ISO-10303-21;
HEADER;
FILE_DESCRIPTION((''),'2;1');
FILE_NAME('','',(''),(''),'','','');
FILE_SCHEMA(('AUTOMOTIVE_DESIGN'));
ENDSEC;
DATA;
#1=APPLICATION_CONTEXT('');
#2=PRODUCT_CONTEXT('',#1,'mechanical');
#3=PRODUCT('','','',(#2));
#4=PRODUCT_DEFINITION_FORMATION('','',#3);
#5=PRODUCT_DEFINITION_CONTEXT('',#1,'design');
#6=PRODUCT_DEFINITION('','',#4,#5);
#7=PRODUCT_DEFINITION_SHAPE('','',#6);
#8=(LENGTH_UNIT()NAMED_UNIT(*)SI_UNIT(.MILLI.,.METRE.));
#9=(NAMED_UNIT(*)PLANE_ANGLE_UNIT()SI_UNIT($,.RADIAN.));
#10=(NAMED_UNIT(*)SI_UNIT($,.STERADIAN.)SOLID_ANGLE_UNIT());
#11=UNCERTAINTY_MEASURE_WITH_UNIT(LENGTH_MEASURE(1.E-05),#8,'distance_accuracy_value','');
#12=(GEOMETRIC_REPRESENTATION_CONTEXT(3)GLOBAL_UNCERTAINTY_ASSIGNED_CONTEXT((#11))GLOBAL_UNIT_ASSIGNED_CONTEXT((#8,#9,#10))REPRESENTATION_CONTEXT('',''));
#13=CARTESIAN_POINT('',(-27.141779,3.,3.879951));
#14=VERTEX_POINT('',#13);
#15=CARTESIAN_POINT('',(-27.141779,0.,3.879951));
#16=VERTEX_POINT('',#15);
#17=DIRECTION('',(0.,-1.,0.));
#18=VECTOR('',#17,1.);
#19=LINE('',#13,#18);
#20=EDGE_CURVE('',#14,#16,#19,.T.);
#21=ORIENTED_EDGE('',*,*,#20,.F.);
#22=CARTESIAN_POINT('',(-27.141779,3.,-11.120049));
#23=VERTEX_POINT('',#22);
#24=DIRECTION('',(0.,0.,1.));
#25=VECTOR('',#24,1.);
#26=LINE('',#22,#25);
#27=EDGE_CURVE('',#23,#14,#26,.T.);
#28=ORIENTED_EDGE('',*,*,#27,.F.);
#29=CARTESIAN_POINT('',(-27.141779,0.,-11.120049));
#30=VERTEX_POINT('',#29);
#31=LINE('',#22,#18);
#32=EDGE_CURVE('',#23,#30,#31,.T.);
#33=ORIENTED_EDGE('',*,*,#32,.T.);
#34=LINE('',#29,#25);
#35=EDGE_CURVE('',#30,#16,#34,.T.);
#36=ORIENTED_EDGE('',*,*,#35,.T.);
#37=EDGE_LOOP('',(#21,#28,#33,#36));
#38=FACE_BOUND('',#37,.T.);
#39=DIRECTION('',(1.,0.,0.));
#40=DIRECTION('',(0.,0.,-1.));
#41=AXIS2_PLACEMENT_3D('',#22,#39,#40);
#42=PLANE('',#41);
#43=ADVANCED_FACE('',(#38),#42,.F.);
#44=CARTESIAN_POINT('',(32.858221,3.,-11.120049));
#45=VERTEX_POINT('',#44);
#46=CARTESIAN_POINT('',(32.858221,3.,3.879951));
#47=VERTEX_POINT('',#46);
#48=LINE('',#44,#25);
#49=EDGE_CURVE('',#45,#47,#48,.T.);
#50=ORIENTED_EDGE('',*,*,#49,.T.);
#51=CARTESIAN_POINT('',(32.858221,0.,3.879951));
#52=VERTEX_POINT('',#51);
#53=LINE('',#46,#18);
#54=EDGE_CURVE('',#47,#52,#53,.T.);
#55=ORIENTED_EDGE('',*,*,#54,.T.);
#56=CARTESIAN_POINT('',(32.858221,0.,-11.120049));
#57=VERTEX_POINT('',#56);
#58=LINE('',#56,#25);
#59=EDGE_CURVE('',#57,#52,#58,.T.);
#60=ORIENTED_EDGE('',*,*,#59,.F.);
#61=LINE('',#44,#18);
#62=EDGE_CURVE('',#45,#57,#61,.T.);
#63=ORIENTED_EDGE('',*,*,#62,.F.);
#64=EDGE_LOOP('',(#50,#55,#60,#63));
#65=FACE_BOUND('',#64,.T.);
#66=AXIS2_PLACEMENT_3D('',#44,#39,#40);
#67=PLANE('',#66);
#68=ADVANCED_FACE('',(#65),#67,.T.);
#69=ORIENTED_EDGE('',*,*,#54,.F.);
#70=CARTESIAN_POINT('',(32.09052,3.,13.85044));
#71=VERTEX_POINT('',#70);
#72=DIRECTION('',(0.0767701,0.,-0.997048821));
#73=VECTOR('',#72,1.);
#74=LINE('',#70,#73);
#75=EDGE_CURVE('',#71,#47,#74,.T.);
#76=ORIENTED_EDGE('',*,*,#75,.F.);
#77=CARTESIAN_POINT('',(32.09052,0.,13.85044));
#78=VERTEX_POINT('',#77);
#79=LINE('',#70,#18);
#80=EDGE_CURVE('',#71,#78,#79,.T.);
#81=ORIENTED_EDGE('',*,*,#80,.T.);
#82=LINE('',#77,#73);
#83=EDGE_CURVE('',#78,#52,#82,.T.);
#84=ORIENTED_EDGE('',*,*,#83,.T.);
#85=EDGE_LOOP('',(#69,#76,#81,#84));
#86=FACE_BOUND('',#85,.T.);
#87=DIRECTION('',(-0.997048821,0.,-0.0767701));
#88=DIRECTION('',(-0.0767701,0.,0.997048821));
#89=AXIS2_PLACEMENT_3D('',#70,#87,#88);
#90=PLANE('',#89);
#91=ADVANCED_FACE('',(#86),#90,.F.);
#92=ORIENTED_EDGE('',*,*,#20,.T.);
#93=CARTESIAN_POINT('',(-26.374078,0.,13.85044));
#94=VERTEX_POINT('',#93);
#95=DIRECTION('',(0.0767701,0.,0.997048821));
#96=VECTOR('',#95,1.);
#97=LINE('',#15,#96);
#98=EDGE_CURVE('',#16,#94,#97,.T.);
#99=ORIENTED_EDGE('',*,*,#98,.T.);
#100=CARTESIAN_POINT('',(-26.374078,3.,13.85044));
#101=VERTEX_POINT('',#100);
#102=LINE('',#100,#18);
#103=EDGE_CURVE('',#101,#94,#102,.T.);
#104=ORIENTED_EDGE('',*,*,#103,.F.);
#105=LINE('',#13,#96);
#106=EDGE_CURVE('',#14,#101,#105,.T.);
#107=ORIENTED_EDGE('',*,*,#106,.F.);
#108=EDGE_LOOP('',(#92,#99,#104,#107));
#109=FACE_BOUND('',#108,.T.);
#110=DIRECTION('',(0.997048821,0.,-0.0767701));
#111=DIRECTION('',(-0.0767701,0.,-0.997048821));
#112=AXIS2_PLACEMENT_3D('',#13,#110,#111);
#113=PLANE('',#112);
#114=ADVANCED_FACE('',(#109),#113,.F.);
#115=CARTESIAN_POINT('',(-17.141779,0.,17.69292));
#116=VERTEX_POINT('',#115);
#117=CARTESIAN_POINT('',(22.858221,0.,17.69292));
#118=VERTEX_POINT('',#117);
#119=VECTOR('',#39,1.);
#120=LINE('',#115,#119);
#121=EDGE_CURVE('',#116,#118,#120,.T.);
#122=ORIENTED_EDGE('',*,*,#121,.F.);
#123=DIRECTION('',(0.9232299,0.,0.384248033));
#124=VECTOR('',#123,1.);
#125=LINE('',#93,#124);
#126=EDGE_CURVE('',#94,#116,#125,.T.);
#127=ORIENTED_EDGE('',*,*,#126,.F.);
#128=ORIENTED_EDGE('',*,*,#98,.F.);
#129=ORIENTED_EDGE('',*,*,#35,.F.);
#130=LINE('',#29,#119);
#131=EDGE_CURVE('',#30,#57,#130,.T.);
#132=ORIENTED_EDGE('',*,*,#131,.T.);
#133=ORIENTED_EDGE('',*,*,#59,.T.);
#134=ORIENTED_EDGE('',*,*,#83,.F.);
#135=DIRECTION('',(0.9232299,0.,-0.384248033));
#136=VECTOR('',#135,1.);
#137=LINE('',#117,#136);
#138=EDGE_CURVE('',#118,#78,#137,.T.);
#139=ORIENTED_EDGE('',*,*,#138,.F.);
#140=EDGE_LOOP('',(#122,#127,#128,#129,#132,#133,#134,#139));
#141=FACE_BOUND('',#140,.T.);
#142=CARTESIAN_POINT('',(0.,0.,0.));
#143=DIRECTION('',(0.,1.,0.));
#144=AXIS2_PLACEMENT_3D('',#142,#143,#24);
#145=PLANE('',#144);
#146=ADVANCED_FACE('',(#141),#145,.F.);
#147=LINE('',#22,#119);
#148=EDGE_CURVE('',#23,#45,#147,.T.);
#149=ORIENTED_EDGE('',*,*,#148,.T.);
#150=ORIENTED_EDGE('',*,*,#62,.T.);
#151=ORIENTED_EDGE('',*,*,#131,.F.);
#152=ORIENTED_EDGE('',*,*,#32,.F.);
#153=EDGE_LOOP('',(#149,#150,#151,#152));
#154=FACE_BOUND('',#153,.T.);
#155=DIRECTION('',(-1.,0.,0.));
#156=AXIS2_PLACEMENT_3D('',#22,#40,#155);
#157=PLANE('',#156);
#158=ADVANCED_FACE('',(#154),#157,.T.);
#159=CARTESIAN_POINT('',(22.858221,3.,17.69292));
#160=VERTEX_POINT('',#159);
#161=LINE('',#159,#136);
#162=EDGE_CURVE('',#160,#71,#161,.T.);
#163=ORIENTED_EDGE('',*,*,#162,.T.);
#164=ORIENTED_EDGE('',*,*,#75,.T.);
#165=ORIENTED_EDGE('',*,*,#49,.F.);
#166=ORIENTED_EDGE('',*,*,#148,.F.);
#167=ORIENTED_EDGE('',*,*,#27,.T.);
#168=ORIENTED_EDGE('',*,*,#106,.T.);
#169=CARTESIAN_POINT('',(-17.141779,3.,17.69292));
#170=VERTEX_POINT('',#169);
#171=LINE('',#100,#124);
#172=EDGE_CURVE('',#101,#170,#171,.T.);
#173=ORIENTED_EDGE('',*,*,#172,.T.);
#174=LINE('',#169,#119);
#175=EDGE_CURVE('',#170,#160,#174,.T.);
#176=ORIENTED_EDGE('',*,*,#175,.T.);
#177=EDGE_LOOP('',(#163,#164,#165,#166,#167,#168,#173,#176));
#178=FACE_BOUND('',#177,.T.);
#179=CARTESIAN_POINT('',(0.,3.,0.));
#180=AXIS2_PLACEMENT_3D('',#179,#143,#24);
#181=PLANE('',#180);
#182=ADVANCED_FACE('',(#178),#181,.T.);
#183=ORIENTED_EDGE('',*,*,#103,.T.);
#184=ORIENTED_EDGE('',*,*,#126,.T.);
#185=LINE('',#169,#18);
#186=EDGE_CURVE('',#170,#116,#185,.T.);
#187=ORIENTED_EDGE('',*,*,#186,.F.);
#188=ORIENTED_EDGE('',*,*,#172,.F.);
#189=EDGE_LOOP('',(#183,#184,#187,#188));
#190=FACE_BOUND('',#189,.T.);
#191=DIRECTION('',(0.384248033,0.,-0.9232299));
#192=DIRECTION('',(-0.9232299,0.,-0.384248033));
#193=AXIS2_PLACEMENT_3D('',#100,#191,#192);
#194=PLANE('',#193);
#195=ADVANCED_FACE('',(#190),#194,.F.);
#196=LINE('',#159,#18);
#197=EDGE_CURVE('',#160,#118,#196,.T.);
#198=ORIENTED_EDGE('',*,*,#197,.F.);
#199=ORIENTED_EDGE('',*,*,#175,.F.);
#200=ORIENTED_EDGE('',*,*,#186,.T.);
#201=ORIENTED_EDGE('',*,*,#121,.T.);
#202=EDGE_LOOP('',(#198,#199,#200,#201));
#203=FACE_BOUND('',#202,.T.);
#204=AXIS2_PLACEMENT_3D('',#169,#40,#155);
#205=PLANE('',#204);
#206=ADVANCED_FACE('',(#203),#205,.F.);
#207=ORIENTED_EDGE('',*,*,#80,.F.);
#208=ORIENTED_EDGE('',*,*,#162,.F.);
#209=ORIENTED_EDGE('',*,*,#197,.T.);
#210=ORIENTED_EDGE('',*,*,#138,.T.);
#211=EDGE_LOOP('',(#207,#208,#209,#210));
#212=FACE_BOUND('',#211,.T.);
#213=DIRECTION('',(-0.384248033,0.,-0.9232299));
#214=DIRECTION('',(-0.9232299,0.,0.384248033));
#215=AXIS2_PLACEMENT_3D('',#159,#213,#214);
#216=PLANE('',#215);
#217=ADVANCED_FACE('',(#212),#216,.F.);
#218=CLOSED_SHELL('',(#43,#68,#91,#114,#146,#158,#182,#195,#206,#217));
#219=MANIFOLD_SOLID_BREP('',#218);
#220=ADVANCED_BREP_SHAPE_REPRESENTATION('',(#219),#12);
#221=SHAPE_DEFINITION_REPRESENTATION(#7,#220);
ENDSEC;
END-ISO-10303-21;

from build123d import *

# Parameters (mm, degrees)
BOSS_EXTRUDE1_DEPTH = 3


with BuildPart() as part:
    # Sketch3 → Boss-Extrude1 (new body)
    with BuildSketch(Plane(origin=(0, 0, 0), x_dir=(1, 0, 0), z_dir=(0, 1, 0))):
        Polygon((-27.141778753, 11.120048549), (32.858221247, 11.120048549), (32.858221247, -3.879951451), (32.090520251, -13.850439663), (22.858221247, -17.692919993), (-17.141778753, -17.692919993), (-26.374077758, -13.850439663), (-27.141778753, -3.879951451), align=None)
    extrude(amount=BOSS_EXTRUDE1_DEPTH)


solid = part.part
